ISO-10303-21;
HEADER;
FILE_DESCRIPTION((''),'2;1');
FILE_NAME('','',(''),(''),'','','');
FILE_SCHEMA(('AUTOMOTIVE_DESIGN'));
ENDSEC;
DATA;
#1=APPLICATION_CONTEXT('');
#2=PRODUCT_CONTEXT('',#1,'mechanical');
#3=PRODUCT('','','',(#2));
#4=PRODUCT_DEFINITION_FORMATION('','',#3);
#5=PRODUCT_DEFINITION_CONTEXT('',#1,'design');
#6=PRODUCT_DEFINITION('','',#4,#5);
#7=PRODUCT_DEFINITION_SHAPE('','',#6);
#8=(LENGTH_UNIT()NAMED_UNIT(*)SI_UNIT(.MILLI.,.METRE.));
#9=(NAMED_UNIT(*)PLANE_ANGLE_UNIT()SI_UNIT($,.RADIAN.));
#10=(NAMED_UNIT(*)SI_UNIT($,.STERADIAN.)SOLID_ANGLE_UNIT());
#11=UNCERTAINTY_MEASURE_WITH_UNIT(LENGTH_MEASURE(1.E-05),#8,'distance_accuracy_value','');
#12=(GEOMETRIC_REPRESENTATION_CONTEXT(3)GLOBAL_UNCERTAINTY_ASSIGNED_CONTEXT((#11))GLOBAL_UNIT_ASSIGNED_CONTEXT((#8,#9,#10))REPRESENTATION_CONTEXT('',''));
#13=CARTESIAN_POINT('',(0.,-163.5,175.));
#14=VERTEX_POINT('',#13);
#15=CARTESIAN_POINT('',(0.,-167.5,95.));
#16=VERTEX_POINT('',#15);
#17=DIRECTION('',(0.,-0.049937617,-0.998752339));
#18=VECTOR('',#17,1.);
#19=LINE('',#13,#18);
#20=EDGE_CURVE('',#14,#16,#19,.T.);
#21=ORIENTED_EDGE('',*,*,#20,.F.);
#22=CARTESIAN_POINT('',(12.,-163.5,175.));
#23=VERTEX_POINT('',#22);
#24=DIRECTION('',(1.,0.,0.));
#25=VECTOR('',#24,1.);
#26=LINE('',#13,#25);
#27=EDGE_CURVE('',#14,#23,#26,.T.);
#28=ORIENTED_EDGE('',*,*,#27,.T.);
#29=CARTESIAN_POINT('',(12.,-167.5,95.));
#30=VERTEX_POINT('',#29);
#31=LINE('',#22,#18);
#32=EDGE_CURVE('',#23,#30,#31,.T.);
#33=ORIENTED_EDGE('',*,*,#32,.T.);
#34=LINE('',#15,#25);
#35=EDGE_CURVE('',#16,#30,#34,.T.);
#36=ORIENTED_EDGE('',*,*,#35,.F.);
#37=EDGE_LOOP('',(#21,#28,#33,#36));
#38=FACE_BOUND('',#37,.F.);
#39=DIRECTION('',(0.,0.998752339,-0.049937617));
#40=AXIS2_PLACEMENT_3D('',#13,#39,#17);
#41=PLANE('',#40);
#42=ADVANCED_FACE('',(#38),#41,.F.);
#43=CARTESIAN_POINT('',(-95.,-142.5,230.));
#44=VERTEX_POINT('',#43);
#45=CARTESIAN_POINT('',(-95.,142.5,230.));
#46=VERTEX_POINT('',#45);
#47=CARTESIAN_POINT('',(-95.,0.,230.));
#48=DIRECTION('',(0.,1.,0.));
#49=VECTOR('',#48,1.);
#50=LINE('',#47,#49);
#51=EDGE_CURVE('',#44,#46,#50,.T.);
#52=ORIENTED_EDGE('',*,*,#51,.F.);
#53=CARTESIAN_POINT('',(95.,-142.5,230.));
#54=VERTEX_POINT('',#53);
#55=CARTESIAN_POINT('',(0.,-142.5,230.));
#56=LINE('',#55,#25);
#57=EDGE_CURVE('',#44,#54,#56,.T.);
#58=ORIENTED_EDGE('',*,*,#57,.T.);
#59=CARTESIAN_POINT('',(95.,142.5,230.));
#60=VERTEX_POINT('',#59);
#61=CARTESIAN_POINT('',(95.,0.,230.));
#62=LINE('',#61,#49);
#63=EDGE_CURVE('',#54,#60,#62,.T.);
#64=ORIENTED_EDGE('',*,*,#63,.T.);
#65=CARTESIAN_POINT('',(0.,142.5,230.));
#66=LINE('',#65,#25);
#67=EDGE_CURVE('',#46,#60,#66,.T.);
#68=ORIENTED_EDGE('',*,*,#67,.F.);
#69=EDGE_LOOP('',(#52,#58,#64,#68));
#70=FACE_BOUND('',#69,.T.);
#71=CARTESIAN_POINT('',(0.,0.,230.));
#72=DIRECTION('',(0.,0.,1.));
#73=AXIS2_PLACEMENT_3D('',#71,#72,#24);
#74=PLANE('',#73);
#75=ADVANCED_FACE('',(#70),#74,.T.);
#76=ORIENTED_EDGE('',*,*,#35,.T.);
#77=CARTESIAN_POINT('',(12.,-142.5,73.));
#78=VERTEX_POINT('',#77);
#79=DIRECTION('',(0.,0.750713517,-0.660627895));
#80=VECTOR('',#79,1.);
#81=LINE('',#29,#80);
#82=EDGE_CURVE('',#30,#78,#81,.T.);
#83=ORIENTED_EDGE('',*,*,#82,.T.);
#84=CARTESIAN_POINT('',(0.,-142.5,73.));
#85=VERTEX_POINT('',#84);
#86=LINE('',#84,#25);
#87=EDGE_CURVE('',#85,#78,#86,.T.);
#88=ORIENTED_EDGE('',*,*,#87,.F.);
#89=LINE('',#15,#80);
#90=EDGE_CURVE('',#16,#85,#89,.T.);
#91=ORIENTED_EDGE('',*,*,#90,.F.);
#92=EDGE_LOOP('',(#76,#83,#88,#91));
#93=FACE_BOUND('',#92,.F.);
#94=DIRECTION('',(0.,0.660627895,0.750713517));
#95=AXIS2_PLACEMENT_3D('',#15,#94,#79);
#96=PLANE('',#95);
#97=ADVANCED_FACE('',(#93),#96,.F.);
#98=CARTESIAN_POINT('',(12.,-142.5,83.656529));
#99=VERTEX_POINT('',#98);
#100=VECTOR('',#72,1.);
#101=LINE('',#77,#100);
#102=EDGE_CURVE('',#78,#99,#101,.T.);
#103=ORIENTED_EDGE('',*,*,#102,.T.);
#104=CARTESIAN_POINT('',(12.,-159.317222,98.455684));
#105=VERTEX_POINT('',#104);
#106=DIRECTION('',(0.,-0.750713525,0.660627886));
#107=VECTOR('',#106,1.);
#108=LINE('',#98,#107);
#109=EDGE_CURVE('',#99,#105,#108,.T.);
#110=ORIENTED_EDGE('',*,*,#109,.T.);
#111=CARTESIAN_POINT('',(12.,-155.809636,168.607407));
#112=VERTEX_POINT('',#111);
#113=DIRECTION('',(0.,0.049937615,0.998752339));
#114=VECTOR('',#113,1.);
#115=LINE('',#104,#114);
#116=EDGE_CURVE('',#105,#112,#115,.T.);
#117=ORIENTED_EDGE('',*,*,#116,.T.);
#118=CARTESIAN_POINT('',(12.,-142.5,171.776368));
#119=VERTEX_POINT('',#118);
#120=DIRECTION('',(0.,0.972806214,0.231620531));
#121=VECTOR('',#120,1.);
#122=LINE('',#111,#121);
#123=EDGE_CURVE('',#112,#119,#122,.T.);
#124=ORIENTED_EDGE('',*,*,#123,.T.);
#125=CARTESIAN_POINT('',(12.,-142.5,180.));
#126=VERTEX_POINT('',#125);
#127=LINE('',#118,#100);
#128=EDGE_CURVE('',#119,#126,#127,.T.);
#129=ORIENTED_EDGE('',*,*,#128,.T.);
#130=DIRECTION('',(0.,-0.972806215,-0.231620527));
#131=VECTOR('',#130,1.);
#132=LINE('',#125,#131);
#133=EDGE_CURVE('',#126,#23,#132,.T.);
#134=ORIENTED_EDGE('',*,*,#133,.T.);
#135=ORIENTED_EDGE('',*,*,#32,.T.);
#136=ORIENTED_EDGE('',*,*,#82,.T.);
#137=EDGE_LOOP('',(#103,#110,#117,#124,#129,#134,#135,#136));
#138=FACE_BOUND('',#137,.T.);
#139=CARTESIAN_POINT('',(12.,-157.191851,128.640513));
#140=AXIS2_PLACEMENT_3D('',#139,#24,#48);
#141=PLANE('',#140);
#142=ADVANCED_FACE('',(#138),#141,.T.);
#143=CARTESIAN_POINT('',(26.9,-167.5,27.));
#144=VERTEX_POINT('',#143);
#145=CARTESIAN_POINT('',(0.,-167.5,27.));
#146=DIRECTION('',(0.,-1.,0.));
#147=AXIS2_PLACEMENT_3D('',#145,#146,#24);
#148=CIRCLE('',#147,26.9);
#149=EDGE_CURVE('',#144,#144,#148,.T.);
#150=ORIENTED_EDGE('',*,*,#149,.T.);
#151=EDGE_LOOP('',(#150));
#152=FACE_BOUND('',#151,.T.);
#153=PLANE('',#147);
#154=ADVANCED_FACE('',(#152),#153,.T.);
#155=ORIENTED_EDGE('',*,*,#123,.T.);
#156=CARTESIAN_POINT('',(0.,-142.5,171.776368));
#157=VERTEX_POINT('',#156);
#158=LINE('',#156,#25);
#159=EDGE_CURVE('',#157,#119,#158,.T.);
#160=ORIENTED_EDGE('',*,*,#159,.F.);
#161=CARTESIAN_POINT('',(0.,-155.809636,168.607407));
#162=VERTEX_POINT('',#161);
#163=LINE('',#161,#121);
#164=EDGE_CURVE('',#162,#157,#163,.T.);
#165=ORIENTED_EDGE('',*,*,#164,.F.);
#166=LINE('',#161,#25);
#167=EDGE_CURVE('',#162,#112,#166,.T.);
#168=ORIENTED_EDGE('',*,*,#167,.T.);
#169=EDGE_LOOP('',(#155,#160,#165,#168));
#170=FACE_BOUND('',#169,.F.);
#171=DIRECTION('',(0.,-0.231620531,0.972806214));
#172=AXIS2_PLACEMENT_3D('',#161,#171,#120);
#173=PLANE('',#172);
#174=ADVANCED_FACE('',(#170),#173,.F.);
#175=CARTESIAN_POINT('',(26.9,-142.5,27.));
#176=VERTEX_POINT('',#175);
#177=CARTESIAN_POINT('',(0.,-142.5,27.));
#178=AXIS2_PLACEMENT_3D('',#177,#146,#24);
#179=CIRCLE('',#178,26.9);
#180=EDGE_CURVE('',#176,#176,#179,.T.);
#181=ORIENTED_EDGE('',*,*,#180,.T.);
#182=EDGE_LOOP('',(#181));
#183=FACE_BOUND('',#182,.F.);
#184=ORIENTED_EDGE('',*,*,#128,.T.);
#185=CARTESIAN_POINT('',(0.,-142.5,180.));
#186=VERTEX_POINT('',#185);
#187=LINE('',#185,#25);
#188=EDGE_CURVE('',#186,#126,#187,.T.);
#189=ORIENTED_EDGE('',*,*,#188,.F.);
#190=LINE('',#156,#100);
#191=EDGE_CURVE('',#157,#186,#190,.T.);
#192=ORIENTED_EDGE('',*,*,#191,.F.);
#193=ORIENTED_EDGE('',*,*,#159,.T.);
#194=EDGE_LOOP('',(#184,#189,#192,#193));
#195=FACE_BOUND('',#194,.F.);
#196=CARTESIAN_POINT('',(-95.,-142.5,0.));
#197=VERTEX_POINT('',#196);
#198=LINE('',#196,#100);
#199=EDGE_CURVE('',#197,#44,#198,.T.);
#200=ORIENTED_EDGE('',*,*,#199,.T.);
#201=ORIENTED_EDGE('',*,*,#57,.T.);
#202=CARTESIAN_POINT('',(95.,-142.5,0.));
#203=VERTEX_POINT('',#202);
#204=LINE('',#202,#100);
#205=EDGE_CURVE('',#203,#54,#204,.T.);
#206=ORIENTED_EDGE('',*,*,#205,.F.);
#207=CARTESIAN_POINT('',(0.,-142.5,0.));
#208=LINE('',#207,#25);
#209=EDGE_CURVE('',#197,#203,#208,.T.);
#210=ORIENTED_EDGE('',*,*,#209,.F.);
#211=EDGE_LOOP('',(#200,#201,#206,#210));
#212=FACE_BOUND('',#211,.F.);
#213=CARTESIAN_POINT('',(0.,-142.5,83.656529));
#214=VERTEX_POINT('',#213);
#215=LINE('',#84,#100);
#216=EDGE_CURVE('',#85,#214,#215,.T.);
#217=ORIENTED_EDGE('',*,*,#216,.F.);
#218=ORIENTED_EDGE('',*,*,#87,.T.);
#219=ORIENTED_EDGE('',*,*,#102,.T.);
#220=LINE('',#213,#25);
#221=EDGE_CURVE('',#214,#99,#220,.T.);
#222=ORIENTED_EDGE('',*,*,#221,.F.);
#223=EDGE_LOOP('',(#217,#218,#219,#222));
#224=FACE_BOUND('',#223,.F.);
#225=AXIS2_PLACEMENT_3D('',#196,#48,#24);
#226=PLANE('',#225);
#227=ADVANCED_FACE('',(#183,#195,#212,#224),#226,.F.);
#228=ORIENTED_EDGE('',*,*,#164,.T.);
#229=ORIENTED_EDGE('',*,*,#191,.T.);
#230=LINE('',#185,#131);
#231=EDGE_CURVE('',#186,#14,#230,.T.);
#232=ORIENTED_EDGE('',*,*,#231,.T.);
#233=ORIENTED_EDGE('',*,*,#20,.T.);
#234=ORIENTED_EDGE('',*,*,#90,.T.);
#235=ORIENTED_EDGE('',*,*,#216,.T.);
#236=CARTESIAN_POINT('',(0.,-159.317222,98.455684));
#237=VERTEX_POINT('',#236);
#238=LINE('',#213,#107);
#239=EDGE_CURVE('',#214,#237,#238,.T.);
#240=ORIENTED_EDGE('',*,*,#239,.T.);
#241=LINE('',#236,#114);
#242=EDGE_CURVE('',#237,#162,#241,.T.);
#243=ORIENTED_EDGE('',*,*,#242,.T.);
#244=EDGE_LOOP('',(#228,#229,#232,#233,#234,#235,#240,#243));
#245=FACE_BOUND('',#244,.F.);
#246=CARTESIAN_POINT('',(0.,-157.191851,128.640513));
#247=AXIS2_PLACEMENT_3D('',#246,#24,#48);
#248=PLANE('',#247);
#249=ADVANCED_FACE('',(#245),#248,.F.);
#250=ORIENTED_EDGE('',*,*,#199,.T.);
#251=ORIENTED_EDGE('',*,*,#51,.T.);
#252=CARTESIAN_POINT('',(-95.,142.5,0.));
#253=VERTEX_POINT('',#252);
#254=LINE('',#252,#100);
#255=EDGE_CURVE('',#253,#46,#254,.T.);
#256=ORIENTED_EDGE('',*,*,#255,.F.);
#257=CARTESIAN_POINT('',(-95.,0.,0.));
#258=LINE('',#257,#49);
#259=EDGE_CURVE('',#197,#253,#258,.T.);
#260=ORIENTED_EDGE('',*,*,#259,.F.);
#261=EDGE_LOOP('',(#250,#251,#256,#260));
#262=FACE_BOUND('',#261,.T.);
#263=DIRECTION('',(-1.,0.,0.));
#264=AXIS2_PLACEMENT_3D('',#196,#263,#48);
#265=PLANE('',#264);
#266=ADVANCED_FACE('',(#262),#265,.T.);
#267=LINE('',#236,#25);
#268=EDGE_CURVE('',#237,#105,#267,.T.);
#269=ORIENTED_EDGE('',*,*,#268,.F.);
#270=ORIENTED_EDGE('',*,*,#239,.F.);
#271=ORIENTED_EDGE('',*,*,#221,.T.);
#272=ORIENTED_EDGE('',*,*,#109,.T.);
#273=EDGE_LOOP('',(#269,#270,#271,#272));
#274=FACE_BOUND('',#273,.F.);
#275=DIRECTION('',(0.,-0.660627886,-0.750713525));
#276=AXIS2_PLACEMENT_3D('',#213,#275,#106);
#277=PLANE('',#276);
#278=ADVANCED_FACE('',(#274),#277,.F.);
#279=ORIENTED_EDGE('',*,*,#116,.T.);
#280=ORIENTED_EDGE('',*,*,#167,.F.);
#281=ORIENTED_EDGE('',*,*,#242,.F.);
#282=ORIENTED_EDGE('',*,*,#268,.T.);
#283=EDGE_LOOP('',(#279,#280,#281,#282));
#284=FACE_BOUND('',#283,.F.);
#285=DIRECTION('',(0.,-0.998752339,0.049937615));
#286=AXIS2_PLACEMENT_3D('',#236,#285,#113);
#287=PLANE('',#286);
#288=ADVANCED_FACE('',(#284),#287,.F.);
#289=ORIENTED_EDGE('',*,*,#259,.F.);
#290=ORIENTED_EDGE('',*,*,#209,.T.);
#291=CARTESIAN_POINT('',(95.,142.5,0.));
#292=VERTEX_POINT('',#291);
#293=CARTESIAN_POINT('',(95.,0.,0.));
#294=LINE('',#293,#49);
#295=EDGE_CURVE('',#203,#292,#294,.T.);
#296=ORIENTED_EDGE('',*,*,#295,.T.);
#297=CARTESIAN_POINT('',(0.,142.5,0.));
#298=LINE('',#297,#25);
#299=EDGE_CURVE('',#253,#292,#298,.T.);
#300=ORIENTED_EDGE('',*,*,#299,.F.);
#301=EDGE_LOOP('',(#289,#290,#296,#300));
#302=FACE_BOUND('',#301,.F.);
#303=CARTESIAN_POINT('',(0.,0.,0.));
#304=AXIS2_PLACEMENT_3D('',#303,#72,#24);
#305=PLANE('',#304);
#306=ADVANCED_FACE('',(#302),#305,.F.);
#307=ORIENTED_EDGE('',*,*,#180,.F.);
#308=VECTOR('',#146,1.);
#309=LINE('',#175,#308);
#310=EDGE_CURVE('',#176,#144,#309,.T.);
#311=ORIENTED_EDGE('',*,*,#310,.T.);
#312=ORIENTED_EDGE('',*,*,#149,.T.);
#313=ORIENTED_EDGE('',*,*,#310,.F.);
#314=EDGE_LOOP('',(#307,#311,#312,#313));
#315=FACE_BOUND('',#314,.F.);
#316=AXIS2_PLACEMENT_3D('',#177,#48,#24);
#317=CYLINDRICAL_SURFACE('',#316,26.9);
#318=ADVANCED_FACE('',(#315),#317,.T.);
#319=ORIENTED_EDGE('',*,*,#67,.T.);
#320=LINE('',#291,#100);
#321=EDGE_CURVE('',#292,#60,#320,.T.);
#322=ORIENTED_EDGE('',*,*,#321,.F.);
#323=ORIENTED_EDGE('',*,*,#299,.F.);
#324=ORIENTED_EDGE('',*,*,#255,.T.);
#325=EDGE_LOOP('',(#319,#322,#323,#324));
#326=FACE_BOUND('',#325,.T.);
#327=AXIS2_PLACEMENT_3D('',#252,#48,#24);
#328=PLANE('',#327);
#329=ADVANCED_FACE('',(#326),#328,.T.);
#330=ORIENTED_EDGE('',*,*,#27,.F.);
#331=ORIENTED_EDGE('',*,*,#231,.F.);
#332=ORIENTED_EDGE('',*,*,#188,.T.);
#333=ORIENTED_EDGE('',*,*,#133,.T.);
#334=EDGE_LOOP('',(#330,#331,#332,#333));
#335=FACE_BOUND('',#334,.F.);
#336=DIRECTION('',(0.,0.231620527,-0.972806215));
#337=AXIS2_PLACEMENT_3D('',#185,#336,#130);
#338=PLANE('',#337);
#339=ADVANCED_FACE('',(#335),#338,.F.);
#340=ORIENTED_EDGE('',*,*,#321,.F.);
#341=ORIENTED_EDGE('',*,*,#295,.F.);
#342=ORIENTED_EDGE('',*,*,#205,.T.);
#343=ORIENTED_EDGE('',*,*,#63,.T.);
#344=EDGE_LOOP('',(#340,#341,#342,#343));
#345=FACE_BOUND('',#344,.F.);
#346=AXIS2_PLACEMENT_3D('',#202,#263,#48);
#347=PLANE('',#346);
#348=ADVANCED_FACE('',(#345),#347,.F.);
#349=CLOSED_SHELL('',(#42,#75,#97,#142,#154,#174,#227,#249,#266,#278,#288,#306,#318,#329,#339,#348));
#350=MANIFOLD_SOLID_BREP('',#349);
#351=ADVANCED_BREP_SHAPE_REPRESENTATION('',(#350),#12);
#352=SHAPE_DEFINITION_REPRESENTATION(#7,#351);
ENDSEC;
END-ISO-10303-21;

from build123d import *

# Parameters (mm, degrees)
F0_W     = 190
F0_H     = 285
F1_DEPTH = 230
F2_R     = 26.9
F3_DEPTH = 25
F5_DEPTH = 12


with BuildPart() as f1:
    # F0 (on Top) → F1 (new body)
    with BuildSketch(Plane.XY):
        Rectangle(F0_W, F0_H)
    extrude(amount=F1_DEPTH)

    # F2 (on face) → F3 (join)
    with BuildSketch(Plane.XZ.offset(142.5)):
        with Locations((0, 27)):
            Circle(F2_R)
    extrude(amount=F3_DEPTH)

    # F4 (on Right) → F5 (join)
    with BuildSketch(Plane.YZ):
        Polygon((-142.5, 171.776368), (-142.5, 180), (-163.5, 175), (-167.5, 95), (-142.5, 73), (-142.5, 83.656529), (-159.317222, 98.455684), (-155.809636, 168.607407), align=None)
    extrude(amount=F5_DEPTH)


solid = f1.part
